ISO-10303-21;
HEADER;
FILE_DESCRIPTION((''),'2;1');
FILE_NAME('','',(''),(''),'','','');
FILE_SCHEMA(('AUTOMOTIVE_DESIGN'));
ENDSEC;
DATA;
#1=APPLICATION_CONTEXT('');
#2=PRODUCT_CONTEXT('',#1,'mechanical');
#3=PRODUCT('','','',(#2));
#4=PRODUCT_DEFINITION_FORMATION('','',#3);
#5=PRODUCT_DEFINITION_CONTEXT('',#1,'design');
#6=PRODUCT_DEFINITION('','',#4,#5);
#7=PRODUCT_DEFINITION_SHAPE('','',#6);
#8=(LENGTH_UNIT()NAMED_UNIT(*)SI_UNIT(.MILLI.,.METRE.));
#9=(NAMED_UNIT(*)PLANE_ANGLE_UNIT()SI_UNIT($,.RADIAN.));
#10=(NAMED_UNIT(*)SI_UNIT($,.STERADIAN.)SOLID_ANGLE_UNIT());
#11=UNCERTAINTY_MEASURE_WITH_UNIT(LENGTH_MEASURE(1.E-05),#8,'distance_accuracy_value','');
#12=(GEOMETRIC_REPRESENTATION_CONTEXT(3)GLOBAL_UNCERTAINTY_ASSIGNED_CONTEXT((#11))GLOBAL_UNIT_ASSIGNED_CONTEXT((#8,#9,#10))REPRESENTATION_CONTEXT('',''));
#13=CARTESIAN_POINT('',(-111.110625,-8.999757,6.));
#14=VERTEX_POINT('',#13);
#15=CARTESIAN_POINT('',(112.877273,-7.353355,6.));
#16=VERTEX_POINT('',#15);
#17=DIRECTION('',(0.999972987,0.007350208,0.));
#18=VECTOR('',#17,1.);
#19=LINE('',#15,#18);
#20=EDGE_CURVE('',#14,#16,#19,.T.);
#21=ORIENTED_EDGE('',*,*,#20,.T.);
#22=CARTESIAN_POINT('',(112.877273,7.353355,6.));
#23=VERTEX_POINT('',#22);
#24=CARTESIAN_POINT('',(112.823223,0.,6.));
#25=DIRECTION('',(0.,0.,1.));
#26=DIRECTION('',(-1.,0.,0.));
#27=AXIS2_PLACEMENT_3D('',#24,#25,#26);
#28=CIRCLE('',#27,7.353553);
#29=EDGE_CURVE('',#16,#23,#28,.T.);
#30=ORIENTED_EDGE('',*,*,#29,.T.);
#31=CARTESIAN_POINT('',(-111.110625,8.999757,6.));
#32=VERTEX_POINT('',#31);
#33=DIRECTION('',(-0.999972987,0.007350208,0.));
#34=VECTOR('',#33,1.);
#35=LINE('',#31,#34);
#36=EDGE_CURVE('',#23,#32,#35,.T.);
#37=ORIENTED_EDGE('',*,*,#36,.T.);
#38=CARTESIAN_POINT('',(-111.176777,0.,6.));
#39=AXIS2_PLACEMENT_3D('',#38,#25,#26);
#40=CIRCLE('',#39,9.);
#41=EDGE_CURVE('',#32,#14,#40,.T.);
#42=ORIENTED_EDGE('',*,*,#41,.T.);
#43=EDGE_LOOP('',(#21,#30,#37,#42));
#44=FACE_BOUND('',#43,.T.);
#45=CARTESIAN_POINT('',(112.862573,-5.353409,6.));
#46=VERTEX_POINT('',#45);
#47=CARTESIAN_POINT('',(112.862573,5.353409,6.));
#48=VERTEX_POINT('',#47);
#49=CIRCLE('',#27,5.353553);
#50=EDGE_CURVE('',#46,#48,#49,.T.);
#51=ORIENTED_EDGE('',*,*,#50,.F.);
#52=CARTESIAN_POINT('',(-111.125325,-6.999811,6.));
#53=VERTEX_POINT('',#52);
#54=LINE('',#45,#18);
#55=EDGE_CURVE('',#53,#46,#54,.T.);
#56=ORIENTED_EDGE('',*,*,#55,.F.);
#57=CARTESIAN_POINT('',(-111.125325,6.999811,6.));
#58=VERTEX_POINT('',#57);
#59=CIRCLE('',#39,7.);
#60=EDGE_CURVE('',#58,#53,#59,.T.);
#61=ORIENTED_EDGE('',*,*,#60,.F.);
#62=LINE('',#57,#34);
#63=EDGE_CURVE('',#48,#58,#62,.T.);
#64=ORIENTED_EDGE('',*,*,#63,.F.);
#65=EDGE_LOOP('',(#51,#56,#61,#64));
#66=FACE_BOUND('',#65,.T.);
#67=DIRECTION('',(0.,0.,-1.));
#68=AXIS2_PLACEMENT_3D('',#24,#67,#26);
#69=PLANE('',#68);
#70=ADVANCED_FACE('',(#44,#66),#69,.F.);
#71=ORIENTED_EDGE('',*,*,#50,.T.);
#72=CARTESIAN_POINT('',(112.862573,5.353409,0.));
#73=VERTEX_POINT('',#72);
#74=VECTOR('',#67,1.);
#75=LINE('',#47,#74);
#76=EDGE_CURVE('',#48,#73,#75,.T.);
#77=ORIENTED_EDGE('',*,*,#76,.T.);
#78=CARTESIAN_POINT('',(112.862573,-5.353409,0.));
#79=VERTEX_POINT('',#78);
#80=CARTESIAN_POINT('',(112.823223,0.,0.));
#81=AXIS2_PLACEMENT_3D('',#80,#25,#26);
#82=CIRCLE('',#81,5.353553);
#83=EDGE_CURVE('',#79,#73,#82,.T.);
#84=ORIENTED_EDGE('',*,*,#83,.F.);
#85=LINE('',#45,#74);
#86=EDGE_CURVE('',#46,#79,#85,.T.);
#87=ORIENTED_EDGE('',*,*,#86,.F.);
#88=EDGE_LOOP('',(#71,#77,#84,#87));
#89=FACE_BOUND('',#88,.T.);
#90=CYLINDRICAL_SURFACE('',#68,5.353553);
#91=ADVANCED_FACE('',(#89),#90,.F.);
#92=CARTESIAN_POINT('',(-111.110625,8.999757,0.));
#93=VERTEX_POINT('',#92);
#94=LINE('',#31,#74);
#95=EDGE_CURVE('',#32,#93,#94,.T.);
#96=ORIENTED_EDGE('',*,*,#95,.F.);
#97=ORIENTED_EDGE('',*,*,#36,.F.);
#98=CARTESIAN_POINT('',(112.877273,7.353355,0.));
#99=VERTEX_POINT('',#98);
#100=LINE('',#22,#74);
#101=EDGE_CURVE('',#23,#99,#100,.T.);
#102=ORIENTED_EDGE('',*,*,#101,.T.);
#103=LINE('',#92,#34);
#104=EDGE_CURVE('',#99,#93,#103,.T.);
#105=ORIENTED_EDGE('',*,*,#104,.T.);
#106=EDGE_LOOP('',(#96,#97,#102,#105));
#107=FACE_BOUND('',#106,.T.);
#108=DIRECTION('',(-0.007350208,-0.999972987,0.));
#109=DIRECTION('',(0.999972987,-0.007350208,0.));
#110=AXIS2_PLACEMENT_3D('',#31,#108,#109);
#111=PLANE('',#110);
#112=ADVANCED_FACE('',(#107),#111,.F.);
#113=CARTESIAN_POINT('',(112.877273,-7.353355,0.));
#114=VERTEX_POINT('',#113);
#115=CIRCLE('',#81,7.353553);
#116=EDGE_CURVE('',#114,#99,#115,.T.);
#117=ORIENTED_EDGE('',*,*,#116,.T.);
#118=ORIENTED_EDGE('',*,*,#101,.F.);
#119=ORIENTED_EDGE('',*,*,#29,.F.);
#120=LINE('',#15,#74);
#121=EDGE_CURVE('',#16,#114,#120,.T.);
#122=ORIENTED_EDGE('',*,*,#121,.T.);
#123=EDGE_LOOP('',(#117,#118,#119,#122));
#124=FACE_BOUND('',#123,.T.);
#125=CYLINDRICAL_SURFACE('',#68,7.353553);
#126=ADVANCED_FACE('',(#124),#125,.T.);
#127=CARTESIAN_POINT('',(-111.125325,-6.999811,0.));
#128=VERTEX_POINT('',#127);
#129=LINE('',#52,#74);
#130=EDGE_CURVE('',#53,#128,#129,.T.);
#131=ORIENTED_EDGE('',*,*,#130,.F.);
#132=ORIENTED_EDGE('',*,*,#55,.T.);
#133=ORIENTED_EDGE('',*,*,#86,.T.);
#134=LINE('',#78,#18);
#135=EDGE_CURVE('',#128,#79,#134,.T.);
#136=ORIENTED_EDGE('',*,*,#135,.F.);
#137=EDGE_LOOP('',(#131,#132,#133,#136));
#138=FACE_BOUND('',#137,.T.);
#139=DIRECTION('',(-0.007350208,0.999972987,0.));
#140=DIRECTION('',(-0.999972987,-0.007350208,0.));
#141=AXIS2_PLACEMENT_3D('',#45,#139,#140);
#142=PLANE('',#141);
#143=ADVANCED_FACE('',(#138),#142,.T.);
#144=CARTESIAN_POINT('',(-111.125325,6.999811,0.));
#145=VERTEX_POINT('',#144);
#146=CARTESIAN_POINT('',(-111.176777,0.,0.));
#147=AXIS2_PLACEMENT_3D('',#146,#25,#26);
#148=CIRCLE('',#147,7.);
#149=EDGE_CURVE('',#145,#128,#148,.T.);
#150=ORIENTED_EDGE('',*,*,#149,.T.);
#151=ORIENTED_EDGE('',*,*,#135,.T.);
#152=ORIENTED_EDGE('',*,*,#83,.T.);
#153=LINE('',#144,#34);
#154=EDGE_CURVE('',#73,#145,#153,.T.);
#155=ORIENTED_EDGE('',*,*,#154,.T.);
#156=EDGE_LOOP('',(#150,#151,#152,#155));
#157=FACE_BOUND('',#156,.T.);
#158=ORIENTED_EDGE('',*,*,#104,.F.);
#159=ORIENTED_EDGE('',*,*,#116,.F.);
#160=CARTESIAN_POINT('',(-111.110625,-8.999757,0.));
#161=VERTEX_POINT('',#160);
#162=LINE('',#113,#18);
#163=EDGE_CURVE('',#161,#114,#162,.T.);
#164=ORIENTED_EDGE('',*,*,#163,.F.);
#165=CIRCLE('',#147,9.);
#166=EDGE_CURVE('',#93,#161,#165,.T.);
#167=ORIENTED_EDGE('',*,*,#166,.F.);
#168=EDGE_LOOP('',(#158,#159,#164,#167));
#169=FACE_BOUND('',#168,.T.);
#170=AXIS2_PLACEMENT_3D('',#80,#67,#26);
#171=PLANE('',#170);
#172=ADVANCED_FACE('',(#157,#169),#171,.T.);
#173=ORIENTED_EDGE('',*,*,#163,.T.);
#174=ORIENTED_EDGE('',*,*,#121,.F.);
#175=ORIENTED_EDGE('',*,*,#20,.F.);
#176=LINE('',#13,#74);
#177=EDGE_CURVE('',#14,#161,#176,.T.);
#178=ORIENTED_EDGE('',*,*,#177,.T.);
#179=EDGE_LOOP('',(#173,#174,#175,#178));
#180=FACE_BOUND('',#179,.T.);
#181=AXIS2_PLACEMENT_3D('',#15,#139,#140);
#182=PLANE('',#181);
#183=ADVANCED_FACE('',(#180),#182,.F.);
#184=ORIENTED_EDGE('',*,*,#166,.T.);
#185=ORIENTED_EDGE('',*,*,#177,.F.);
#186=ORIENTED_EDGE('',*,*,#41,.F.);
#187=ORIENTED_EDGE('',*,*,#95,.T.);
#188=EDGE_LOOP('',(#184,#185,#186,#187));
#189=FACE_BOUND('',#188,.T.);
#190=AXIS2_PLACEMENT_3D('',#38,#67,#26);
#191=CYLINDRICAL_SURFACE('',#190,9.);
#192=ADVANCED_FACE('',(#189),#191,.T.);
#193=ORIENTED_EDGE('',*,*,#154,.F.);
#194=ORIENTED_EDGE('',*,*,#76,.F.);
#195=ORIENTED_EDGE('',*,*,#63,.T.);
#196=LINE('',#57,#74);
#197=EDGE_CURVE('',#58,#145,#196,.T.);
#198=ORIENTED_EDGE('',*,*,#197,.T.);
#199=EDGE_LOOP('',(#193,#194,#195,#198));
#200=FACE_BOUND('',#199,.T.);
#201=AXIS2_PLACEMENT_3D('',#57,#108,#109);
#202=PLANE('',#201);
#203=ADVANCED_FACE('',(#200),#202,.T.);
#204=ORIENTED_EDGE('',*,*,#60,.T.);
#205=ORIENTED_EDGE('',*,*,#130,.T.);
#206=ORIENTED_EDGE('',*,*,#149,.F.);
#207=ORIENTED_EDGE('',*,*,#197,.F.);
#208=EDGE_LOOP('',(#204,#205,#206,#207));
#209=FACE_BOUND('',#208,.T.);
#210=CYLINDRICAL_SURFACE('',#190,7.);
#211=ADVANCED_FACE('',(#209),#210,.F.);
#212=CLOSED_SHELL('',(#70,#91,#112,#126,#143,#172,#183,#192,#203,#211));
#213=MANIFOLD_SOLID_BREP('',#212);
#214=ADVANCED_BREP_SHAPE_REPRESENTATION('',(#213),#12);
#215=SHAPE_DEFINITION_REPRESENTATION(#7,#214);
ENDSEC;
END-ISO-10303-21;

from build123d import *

# Parameters (mm, degrees)
BOSS_EXTRUDE1_DEPTH = 6


with BuildPart() as part:
    # Sketch1 → Boss-Extrude1 (new body)
    with BuildSketch(Plane.XY):
        with BuildLine():
            Line((112.877273452, -7.353354748), (-111.110624823, -8.999756882))
            ThreePointArc((-111.110624823, -8.999756882), (-120.176776695, 0), (-111.110624823, 8.999756882))
            Line((-111.110624823, 8.999756882), (112.877273452, 7.353354748))
            ThreePointArc((112.877273452, 7.353354748), (120.176776695, 0), (112.877273452, -7.353354748))
        make_face()
        with BuildLine():
            Line((112.862573036, -5.353408774), (-111.125325239, -6.999810908))
            ThreePointArc((-111.125325239, -6.999810908), (-118.176776695, 0), (-111.125325239, 6.999810908))
            Line((-111.125325239, 6.999810908), (112.862573036, 5.353408774))
            ThreePointArc((112.862573036, 5.353408774), (118.176776695, 0), (112.862573036, -5.353408774))
        make_face(mode=Mode.SUBTRACT)
    extrude(amount=BOSS_EXTRUDE1_DEPTH)


solid = part.part
